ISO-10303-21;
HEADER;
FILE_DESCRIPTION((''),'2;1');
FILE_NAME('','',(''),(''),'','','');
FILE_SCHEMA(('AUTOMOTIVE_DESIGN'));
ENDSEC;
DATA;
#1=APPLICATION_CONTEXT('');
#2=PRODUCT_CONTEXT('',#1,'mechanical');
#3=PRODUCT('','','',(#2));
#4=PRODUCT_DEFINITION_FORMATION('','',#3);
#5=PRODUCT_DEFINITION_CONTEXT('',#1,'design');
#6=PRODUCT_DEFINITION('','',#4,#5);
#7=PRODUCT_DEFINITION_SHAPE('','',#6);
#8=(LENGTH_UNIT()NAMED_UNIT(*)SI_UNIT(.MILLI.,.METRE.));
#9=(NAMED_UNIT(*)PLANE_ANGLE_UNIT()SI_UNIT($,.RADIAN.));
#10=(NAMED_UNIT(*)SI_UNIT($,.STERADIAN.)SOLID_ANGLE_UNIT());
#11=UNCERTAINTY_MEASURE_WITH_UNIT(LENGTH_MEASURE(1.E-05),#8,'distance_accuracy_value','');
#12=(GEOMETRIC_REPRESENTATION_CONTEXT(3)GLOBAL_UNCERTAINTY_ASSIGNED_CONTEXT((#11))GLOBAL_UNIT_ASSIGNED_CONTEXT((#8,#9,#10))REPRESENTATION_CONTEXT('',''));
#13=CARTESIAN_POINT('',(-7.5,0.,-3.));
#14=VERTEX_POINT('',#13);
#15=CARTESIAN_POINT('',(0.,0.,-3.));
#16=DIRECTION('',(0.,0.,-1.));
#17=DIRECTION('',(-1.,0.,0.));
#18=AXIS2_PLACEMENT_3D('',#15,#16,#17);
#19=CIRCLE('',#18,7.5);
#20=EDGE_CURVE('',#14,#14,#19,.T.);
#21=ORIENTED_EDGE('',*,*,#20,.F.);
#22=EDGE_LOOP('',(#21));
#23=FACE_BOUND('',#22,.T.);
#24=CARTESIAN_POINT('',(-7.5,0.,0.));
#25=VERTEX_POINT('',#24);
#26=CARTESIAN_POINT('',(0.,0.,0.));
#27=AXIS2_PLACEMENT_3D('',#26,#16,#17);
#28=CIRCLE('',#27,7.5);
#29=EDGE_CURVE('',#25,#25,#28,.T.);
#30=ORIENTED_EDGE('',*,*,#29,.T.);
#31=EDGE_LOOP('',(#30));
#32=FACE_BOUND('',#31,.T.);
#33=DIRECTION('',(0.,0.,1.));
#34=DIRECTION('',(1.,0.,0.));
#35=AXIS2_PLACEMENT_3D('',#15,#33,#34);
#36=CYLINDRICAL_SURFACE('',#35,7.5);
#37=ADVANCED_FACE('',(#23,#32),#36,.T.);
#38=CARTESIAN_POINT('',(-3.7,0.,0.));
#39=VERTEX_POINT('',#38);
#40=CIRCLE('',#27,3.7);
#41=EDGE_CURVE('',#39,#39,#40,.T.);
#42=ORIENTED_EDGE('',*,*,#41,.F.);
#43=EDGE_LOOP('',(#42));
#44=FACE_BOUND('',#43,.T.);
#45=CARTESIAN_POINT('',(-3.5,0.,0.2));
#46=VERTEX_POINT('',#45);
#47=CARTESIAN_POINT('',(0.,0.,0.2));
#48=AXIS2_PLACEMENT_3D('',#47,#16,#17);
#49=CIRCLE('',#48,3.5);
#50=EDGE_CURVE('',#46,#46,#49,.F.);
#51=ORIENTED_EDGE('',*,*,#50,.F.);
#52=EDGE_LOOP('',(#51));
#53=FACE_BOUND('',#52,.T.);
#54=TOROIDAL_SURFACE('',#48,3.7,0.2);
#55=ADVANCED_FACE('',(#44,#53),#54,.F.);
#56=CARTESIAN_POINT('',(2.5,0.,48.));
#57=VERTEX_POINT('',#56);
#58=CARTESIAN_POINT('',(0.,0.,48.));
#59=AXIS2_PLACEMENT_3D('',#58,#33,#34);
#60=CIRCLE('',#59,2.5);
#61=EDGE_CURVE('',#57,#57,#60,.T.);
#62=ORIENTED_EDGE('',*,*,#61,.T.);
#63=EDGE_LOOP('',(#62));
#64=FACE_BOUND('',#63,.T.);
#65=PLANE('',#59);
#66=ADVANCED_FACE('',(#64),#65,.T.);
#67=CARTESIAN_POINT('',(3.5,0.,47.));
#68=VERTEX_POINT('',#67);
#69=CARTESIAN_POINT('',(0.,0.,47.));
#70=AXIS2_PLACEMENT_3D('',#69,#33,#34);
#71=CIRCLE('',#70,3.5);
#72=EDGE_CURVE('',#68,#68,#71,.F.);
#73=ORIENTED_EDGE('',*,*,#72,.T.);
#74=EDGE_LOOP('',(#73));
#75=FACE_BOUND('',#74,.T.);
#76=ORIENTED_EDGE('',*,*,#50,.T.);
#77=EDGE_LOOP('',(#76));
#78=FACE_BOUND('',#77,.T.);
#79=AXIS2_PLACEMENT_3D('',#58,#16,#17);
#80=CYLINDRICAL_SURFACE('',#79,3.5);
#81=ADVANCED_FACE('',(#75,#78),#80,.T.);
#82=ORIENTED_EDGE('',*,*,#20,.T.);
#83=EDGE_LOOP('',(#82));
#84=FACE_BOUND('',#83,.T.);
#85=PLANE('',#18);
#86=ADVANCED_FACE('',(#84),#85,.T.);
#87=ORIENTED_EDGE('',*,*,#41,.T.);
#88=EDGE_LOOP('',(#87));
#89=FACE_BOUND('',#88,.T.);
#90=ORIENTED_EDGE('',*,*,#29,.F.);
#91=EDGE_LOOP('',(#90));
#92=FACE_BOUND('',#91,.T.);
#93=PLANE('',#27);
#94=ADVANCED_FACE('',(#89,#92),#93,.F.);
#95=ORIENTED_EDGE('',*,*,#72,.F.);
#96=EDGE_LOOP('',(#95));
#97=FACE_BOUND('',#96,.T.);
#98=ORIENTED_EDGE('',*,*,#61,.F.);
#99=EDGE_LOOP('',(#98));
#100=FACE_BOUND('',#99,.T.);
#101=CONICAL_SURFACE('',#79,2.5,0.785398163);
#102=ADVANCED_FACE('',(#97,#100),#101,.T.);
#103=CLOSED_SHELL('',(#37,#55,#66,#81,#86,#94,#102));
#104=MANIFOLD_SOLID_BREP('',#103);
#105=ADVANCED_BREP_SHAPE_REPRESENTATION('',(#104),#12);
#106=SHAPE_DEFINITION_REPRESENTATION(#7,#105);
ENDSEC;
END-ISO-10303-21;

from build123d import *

# Parameters (mm, degrees)
SKETCH1_R           = 3.5
BOSS_EXTRUDE1_DEPTH = 48
SKETCH2_R           = 7.5
BOSS_EXTRUDE2_DEPTH = 3
CHAMFER1_SIZE       = 1
FILLET1_R           = 0.2


with BuildPart() as part:
    # Sketch1 → Boss-Extrude1 (new body)
    with BuildSketch(Plane.XY):
        Circle(SKETCH1_R)
    extrude(amount=BOSS_EXTRUDE1_DEPTH)

    # Sketch2 → Boss-Extrude2 (add)
    with BuildSketch(Plane(origin=(0, 0, 0), x_dir=(-1, 0, 0), z_dir=(0, 0, -1))):
        Circle(SKETCH2_R)
    extrude(amount=BOSS_EXTRUDE2_DEPTH)

    # Chamfer1
    chamfer1_edges = [part.edges().sort_by_distance(p)[0] for p in [
        (-3.5, 0, 48),
    ]]
    chamfer(chamfer1_edges, length=CHAMFER1_SIZE)

    # Fillet1
    fillet1_edges = [part.edges().sort_by_distance(p)[0] for p in [
        (-3.5, 0, 0),
    ]]
    fillet(fillet1_edges, radius=FILLET1_R)


solid = part.part
